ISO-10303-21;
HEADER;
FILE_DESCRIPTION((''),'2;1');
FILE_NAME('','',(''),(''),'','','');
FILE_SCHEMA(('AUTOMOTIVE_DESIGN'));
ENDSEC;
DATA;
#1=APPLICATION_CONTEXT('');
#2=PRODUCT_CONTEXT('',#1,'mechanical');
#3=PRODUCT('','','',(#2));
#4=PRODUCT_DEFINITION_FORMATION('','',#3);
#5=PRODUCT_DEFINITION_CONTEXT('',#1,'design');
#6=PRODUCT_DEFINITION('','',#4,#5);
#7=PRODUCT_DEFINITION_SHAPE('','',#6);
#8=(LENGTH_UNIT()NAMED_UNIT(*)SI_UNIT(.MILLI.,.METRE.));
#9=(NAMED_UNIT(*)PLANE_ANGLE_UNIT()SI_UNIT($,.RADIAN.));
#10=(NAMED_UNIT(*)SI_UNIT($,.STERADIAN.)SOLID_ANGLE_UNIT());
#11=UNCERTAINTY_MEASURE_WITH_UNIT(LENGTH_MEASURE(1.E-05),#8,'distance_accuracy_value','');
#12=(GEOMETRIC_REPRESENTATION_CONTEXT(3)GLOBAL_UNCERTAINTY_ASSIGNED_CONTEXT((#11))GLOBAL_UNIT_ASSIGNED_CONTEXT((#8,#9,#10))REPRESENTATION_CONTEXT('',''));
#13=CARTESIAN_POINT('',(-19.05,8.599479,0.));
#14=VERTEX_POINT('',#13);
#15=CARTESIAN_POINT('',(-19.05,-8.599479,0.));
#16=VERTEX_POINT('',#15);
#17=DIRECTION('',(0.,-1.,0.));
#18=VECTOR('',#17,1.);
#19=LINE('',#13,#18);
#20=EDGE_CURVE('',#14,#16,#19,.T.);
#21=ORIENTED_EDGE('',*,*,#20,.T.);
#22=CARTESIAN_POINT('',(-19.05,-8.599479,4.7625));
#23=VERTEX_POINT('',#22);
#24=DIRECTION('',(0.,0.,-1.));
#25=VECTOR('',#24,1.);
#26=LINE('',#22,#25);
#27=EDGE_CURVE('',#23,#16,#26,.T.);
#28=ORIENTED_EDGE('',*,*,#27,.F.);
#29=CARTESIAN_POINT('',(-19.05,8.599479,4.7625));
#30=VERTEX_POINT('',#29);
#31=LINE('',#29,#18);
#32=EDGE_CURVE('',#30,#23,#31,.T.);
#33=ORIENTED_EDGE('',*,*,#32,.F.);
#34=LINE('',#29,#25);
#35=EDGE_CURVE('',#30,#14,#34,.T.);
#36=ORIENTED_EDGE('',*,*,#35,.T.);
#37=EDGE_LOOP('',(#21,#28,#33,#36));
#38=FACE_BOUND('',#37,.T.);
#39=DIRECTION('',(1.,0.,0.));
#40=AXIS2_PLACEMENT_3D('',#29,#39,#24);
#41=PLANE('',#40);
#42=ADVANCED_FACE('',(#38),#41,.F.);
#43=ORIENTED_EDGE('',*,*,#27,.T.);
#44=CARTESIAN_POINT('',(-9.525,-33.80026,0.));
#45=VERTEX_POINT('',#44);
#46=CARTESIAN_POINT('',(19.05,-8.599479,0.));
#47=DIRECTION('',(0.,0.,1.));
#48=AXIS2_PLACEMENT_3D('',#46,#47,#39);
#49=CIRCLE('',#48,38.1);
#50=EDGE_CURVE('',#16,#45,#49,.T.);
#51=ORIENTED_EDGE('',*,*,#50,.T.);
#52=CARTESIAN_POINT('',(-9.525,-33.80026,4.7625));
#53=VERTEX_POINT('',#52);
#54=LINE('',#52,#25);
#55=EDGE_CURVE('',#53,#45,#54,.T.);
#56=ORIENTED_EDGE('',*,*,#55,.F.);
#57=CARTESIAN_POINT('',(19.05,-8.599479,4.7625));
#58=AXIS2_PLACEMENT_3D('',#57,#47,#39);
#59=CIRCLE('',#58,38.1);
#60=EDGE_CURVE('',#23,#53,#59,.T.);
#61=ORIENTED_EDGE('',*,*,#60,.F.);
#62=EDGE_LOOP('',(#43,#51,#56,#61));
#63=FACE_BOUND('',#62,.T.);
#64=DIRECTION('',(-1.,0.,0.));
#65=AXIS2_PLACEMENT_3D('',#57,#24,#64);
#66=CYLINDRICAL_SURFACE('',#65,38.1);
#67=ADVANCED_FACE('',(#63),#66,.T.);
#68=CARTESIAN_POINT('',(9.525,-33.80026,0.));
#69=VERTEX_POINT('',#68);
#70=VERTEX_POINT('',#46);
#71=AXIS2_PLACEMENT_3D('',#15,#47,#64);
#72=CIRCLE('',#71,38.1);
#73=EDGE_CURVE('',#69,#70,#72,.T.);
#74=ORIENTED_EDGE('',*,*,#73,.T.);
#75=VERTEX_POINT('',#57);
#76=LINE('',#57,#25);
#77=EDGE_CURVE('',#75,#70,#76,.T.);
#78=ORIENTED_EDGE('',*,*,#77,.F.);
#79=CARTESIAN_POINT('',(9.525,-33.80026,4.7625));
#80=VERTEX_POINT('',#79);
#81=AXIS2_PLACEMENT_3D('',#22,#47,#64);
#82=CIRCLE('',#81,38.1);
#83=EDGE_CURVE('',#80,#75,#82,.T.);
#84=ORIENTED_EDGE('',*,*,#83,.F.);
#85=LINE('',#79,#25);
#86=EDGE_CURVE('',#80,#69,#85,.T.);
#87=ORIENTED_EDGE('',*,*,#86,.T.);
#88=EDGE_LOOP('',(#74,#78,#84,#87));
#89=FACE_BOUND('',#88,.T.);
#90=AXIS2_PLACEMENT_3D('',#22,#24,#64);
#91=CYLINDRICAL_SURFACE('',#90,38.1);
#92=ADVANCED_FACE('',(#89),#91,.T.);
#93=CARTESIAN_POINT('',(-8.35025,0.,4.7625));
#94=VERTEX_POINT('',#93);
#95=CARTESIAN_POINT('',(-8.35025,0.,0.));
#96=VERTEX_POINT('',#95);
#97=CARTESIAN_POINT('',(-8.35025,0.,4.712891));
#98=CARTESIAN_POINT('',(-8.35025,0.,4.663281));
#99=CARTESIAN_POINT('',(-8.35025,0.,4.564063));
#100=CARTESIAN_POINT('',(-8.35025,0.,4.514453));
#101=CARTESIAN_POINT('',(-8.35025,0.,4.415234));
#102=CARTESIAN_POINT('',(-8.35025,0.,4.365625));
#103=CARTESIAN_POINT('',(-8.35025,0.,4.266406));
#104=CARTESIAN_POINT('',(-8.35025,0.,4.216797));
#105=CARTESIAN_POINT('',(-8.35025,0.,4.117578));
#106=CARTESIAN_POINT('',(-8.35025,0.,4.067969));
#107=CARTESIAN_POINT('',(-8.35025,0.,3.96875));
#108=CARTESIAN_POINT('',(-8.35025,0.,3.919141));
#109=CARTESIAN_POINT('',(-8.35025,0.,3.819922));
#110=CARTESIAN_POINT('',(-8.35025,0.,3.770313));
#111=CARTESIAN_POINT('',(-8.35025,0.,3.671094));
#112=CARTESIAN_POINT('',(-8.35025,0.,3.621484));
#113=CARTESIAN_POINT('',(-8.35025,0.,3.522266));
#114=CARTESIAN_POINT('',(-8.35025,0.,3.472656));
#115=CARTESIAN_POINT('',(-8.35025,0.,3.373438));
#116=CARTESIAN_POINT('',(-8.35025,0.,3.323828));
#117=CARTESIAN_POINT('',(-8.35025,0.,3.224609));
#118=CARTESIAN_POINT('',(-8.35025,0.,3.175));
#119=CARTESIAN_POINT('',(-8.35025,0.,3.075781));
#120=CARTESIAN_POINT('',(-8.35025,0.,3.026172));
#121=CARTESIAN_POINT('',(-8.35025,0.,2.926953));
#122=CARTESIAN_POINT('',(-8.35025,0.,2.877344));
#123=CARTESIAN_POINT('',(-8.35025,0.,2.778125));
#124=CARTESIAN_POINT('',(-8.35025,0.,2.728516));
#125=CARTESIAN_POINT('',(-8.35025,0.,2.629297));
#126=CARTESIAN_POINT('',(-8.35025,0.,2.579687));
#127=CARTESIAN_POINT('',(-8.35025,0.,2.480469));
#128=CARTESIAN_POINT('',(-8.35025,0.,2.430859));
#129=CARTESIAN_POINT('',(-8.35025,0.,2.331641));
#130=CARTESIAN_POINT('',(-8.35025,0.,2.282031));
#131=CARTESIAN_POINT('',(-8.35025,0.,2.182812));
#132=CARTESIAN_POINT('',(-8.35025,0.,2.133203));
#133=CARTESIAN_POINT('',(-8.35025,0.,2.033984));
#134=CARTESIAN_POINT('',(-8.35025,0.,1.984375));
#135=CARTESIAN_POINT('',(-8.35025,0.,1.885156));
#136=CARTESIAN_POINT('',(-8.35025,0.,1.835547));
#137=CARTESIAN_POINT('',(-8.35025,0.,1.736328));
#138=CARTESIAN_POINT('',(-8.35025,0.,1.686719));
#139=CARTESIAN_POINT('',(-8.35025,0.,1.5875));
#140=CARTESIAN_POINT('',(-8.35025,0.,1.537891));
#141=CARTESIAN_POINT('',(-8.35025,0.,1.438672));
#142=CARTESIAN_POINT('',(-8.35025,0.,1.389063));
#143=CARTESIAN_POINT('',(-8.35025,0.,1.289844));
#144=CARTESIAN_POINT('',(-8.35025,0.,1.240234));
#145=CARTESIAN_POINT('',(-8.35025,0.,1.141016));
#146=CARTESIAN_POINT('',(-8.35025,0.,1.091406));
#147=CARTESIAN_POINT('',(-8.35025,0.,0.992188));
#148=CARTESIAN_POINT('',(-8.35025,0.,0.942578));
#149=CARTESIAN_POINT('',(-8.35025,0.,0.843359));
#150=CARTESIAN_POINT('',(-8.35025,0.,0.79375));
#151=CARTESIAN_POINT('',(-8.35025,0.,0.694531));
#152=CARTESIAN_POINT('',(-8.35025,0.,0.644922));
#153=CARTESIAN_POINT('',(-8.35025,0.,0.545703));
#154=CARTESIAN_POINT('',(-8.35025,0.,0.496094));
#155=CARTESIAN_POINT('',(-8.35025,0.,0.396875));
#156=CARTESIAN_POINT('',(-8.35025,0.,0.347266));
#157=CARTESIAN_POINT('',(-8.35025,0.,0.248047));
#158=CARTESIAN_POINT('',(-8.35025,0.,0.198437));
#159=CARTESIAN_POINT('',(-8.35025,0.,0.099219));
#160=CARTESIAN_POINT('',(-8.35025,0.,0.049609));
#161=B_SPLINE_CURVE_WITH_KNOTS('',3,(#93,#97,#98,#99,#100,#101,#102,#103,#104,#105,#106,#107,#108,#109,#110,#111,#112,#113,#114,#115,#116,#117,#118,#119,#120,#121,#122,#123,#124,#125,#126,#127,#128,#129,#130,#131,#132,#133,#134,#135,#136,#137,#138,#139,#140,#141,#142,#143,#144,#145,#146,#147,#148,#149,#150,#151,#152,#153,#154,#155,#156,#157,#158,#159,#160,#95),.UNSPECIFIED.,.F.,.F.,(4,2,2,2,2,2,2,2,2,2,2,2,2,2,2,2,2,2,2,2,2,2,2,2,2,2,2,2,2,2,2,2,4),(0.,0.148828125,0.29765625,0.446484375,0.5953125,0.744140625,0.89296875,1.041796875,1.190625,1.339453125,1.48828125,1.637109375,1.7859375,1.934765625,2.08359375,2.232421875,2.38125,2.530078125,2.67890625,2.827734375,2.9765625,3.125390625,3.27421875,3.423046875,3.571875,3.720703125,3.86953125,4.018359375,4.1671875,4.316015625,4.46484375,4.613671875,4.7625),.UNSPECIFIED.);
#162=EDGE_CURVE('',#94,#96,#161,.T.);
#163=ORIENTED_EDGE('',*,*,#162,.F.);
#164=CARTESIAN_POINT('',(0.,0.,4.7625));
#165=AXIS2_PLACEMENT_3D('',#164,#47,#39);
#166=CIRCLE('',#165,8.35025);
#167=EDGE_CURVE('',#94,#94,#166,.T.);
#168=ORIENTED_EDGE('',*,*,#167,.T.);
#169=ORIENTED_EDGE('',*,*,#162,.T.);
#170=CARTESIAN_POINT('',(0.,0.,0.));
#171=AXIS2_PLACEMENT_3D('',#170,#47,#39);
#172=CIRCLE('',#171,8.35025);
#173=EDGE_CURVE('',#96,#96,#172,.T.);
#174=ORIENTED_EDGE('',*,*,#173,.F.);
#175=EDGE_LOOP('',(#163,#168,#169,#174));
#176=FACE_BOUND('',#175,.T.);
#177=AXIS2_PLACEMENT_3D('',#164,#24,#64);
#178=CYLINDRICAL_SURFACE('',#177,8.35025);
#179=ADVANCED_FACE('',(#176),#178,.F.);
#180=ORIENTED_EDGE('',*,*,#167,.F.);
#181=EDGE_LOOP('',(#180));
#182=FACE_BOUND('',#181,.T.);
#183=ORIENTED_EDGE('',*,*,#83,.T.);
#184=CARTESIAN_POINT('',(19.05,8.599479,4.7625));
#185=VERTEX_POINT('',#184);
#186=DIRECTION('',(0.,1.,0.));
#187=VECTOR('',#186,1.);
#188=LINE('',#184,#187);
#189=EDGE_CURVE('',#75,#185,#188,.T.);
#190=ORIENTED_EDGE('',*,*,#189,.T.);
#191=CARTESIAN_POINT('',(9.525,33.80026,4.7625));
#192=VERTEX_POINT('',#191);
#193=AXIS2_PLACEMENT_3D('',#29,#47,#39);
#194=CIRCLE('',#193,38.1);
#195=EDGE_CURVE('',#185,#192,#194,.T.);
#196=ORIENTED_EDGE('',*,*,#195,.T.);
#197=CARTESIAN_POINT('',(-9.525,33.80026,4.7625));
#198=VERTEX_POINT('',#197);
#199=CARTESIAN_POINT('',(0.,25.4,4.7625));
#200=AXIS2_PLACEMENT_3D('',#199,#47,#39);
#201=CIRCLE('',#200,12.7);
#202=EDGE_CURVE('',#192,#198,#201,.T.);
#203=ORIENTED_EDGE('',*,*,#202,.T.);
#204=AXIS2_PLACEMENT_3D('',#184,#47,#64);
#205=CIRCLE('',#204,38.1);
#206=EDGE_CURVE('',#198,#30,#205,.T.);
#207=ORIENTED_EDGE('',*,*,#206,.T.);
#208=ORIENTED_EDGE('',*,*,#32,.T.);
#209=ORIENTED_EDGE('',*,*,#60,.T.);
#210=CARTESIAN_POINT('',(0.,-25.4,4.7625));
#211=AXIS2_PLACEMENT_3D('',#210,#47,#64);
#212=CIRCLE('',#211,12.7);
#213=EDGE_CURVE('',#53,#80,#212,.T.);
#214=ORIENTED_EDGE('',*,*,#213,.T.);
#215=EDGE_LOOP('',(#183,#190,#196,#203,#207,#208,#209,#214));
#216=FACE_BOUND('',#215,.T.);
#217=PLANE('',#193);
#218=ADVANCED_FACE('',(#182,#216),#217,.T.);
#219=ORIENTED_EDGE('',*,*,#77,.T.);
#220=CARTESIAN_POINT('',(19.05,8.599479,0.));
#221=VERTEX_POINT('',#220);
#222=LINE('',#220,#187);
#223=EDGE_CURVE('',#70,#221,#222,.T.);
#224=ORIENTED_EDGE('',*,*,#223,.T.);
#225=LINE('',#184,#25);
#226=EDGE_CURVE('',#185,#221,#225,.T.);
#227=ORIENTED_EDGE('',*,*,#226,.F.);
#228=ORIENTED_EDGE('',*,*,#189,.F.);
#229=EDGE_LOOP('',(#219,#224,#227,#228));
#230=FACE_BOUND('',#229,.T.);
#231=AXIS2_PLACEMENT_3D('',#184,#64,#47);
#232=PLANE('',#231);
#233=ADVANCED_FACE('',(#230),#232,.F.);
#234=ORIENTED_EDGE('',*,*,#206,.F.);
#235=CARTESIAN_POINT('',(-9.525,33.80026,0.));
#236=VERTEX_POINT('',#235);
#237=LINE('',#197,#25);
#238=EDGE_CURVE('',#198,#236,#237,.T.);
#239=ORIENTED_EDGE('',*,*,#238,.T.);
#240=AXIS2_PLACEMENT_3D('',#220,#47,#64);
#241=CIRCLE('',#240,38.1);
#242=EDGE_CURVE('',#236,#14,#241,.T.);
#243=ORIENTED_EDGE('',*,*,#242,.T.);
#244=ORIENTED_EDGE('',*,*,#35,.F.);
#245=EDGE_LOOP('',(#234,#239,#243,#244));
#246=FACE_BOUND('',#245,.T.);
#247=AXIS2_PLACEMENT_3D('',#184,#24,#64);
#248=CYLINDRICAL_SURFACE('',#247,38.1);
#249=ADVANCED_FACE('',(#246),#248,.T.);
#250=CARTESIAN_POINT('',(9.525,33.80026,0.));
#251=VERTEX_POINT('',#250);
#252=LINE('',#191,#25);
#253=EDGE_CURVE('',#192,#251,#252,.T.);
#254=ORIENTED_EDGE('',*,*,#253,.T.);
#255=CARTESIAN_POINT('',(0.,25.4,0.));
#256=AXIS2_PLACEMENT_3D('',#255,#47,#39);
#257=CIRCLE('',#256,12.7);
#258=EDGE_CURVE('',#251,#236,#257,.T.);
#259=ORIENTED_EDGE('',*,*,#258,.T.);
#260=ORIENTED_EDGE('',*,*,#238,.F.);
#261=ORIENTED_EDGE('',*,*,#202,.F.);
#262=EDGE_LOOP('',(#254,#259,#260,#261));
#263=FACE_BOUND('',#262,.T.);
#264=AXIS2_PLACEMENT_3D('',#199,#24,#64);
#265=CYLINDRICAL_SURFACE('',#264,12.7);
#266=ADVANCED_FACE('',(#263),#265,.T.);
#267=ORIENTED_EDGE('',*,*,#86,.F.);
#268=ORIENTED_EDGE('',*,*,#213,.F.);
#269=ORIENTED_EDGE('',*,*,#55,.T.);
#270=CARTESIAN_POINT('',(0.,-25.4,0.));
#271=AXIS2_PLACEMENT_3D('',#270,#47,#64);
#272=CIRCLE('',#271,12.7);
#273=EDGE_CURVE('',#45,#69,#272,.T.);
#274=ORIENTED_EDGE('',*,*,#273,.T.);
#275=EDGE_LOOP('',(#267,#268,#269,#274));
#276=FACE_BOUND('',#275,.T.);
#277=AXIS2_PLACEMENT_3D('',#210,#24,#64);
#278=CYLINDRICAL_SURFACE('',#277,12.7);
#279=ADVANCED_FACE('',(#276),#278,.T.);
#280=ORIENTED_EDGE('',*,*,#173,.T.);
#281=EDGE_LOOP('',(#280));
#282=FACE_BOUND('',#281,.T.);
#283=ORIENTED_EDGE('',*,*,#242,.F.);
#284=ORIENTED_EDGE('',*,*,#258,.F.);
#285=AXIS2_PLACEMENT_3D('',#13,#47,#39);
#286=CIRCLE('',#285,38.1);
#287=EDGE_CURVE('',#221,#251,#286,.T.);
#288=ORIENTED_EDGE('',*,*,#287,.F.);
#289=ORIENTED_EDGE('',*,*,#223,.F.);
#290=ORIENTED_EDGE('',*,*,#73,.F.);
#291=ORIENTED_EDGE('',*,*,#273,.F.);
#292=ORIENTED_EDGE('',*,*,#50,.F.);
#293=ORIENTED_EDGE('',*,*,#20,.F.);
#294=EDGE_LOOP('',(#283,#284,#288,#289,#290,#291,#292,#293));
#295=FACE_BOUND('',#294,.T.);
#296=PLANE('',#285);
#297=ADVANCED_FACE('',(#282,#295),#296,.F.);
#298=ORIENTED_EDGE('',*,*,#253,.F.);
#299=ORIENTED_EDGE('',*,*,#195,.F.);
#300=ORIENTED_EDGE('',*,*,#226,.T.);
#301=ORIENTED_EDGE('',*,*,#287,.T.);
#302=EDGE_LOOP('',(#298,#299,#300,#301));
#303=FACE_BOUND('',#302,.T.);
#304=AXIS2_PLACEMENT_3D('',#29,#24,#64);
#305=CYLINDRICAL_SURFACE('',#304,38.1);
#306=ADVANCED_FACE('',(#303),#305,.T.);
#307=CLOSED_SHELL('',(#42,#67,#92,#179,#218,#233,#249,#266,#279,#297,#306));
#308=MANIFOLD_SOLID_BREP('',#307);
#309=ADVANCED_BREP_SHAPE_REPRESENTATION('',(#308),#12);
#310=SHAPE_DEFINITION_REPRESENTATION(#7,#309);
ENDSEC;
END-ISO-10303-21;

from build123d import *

# Parameters (mm, degrees)
SKETCH1_R          = 8.35025
BASE_EXTRUDE_DEPTH = 4.7625


with BuildPart() as part:
    # Sketch1 → Base-Extrude (new body)
    with BuildSketch(Plane.XY):
        with BuildLine():
            Line((19.05, 8.599479175), (19.05, -8.599479175))
            ThreePointArc((19.05, -8.599479175), (16.589286609, -22.069863356), (9.525, -33.800260413))
            ThreePointArc((9.525, -33.800260413), (0, -38.1), (-9.525, -33.800260413))
            ThreePointArc((-9.525, -33.800260413), (-16.589286609, -22.069863356), (-19.05, -8.599479175))
            Line((-19.05, -8.599479175), (-19.05, 8.599479175))
            ThreePointArc((-19.05, 8.599479175), (-16.589286609, 22.069863356), (-9.525, 33.800260413))
            ThreePointArc((-9.525, 33.800260413), (0, 38.1), (9.525, 33.800260413))
            ThreePointArc((9.525, 33.800260413), (16.589286609, 22.069863356), (19.05, 8.599479175))
        make_face()
        with Locations(Location((0, 0, 0), (0, 0, 180))):
            Circle(SKETCH1_R, mode=Mode.SUBTRACT)
    extrude(amount=BASE_EXTRUDE_DEPTH)


solid = part.part
